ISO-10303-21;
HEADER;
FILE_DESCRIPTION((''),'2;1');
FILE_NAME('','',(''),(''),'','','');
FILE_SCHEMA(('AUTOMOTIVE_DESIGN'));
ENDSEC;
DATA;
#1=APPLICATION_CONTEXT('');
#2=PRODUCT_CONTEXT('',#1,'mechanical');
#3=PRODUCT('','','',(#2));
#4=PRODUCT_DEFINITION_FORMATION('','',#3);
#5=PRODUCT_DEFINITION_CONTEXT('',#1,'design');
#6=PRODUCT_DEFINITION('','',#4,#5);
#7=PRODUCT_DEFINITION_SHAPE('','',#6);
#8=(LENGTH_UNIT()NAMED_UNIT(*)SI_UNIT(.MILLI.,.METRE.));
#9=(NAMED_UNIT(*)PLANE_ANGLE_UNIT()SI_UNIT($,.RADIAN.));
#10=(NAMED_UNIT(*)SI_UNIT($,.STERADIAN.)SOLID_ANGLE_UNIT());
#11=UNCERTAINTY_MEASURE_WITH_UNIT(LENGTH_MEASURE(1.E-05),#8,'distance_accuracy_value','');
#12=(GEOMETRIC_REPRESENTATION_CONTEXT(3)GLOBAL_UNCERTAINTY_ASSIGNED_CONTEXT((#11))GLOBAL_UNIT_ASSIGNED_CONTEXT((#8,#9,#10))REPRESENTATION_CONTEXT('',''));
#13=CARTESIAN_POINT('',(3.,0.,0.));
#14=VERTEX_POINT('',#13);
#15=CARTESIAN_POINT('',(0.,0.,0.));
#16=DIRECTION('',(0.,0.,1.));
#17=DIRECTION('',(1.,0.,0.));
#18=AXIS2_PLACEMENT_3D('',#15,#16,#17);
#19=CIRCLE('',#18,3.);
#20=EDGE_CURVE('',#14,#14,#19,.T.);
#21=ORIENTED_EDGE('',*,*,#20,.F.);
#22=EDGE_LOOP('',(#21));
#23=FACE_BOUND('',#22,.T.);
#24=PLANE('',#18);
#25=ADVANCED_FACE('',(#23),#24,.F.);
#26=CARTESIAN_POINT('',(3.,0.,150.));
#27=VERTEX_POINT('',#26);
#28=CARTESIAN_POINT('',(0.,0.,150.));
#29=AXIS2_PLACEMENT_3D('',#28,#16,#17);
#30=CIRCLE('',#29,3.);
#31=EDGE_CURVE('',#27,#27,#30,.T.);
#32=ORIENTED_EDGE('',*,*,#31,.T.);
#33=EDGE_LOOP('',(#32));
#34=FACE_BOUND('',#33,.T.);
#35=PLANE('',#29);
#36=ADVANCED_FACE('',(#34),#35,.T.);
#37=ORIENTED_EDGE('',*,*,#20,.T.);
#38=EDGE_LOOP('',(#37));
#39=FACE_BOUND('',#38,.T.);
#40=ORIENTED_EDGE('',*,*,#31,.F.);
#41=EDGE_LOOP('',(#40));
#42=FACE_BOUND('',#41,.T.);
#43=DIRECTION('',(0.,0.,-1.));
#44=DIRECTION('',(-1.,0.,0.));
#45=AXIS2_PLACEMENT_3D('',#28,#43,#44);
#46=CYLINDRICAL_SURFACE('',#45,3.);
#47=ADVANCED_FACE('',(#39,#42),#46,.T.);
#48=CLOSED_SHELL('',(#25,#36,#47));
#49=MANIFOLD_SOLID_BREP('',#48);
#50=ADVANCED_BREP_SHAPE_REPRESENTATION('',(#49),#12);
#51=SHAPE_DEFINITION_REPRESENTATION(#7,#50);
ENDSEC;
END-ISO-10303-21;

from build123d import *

# Parameters (mm, degrees)
SKETCH_1_R      = 3
EXTRUDE_1_DEPTH = 150


with BuildPart() as part:
    # ｽｹｯﾁ1 → ﾎﾞｽ - 押し出し1 (new body)
    with BuildSketch(Plane.XY):
        Circle(SKETCH_1_R)
    extrude(amount=EXTRUDE_1_DEPTH)


solid = part.part
